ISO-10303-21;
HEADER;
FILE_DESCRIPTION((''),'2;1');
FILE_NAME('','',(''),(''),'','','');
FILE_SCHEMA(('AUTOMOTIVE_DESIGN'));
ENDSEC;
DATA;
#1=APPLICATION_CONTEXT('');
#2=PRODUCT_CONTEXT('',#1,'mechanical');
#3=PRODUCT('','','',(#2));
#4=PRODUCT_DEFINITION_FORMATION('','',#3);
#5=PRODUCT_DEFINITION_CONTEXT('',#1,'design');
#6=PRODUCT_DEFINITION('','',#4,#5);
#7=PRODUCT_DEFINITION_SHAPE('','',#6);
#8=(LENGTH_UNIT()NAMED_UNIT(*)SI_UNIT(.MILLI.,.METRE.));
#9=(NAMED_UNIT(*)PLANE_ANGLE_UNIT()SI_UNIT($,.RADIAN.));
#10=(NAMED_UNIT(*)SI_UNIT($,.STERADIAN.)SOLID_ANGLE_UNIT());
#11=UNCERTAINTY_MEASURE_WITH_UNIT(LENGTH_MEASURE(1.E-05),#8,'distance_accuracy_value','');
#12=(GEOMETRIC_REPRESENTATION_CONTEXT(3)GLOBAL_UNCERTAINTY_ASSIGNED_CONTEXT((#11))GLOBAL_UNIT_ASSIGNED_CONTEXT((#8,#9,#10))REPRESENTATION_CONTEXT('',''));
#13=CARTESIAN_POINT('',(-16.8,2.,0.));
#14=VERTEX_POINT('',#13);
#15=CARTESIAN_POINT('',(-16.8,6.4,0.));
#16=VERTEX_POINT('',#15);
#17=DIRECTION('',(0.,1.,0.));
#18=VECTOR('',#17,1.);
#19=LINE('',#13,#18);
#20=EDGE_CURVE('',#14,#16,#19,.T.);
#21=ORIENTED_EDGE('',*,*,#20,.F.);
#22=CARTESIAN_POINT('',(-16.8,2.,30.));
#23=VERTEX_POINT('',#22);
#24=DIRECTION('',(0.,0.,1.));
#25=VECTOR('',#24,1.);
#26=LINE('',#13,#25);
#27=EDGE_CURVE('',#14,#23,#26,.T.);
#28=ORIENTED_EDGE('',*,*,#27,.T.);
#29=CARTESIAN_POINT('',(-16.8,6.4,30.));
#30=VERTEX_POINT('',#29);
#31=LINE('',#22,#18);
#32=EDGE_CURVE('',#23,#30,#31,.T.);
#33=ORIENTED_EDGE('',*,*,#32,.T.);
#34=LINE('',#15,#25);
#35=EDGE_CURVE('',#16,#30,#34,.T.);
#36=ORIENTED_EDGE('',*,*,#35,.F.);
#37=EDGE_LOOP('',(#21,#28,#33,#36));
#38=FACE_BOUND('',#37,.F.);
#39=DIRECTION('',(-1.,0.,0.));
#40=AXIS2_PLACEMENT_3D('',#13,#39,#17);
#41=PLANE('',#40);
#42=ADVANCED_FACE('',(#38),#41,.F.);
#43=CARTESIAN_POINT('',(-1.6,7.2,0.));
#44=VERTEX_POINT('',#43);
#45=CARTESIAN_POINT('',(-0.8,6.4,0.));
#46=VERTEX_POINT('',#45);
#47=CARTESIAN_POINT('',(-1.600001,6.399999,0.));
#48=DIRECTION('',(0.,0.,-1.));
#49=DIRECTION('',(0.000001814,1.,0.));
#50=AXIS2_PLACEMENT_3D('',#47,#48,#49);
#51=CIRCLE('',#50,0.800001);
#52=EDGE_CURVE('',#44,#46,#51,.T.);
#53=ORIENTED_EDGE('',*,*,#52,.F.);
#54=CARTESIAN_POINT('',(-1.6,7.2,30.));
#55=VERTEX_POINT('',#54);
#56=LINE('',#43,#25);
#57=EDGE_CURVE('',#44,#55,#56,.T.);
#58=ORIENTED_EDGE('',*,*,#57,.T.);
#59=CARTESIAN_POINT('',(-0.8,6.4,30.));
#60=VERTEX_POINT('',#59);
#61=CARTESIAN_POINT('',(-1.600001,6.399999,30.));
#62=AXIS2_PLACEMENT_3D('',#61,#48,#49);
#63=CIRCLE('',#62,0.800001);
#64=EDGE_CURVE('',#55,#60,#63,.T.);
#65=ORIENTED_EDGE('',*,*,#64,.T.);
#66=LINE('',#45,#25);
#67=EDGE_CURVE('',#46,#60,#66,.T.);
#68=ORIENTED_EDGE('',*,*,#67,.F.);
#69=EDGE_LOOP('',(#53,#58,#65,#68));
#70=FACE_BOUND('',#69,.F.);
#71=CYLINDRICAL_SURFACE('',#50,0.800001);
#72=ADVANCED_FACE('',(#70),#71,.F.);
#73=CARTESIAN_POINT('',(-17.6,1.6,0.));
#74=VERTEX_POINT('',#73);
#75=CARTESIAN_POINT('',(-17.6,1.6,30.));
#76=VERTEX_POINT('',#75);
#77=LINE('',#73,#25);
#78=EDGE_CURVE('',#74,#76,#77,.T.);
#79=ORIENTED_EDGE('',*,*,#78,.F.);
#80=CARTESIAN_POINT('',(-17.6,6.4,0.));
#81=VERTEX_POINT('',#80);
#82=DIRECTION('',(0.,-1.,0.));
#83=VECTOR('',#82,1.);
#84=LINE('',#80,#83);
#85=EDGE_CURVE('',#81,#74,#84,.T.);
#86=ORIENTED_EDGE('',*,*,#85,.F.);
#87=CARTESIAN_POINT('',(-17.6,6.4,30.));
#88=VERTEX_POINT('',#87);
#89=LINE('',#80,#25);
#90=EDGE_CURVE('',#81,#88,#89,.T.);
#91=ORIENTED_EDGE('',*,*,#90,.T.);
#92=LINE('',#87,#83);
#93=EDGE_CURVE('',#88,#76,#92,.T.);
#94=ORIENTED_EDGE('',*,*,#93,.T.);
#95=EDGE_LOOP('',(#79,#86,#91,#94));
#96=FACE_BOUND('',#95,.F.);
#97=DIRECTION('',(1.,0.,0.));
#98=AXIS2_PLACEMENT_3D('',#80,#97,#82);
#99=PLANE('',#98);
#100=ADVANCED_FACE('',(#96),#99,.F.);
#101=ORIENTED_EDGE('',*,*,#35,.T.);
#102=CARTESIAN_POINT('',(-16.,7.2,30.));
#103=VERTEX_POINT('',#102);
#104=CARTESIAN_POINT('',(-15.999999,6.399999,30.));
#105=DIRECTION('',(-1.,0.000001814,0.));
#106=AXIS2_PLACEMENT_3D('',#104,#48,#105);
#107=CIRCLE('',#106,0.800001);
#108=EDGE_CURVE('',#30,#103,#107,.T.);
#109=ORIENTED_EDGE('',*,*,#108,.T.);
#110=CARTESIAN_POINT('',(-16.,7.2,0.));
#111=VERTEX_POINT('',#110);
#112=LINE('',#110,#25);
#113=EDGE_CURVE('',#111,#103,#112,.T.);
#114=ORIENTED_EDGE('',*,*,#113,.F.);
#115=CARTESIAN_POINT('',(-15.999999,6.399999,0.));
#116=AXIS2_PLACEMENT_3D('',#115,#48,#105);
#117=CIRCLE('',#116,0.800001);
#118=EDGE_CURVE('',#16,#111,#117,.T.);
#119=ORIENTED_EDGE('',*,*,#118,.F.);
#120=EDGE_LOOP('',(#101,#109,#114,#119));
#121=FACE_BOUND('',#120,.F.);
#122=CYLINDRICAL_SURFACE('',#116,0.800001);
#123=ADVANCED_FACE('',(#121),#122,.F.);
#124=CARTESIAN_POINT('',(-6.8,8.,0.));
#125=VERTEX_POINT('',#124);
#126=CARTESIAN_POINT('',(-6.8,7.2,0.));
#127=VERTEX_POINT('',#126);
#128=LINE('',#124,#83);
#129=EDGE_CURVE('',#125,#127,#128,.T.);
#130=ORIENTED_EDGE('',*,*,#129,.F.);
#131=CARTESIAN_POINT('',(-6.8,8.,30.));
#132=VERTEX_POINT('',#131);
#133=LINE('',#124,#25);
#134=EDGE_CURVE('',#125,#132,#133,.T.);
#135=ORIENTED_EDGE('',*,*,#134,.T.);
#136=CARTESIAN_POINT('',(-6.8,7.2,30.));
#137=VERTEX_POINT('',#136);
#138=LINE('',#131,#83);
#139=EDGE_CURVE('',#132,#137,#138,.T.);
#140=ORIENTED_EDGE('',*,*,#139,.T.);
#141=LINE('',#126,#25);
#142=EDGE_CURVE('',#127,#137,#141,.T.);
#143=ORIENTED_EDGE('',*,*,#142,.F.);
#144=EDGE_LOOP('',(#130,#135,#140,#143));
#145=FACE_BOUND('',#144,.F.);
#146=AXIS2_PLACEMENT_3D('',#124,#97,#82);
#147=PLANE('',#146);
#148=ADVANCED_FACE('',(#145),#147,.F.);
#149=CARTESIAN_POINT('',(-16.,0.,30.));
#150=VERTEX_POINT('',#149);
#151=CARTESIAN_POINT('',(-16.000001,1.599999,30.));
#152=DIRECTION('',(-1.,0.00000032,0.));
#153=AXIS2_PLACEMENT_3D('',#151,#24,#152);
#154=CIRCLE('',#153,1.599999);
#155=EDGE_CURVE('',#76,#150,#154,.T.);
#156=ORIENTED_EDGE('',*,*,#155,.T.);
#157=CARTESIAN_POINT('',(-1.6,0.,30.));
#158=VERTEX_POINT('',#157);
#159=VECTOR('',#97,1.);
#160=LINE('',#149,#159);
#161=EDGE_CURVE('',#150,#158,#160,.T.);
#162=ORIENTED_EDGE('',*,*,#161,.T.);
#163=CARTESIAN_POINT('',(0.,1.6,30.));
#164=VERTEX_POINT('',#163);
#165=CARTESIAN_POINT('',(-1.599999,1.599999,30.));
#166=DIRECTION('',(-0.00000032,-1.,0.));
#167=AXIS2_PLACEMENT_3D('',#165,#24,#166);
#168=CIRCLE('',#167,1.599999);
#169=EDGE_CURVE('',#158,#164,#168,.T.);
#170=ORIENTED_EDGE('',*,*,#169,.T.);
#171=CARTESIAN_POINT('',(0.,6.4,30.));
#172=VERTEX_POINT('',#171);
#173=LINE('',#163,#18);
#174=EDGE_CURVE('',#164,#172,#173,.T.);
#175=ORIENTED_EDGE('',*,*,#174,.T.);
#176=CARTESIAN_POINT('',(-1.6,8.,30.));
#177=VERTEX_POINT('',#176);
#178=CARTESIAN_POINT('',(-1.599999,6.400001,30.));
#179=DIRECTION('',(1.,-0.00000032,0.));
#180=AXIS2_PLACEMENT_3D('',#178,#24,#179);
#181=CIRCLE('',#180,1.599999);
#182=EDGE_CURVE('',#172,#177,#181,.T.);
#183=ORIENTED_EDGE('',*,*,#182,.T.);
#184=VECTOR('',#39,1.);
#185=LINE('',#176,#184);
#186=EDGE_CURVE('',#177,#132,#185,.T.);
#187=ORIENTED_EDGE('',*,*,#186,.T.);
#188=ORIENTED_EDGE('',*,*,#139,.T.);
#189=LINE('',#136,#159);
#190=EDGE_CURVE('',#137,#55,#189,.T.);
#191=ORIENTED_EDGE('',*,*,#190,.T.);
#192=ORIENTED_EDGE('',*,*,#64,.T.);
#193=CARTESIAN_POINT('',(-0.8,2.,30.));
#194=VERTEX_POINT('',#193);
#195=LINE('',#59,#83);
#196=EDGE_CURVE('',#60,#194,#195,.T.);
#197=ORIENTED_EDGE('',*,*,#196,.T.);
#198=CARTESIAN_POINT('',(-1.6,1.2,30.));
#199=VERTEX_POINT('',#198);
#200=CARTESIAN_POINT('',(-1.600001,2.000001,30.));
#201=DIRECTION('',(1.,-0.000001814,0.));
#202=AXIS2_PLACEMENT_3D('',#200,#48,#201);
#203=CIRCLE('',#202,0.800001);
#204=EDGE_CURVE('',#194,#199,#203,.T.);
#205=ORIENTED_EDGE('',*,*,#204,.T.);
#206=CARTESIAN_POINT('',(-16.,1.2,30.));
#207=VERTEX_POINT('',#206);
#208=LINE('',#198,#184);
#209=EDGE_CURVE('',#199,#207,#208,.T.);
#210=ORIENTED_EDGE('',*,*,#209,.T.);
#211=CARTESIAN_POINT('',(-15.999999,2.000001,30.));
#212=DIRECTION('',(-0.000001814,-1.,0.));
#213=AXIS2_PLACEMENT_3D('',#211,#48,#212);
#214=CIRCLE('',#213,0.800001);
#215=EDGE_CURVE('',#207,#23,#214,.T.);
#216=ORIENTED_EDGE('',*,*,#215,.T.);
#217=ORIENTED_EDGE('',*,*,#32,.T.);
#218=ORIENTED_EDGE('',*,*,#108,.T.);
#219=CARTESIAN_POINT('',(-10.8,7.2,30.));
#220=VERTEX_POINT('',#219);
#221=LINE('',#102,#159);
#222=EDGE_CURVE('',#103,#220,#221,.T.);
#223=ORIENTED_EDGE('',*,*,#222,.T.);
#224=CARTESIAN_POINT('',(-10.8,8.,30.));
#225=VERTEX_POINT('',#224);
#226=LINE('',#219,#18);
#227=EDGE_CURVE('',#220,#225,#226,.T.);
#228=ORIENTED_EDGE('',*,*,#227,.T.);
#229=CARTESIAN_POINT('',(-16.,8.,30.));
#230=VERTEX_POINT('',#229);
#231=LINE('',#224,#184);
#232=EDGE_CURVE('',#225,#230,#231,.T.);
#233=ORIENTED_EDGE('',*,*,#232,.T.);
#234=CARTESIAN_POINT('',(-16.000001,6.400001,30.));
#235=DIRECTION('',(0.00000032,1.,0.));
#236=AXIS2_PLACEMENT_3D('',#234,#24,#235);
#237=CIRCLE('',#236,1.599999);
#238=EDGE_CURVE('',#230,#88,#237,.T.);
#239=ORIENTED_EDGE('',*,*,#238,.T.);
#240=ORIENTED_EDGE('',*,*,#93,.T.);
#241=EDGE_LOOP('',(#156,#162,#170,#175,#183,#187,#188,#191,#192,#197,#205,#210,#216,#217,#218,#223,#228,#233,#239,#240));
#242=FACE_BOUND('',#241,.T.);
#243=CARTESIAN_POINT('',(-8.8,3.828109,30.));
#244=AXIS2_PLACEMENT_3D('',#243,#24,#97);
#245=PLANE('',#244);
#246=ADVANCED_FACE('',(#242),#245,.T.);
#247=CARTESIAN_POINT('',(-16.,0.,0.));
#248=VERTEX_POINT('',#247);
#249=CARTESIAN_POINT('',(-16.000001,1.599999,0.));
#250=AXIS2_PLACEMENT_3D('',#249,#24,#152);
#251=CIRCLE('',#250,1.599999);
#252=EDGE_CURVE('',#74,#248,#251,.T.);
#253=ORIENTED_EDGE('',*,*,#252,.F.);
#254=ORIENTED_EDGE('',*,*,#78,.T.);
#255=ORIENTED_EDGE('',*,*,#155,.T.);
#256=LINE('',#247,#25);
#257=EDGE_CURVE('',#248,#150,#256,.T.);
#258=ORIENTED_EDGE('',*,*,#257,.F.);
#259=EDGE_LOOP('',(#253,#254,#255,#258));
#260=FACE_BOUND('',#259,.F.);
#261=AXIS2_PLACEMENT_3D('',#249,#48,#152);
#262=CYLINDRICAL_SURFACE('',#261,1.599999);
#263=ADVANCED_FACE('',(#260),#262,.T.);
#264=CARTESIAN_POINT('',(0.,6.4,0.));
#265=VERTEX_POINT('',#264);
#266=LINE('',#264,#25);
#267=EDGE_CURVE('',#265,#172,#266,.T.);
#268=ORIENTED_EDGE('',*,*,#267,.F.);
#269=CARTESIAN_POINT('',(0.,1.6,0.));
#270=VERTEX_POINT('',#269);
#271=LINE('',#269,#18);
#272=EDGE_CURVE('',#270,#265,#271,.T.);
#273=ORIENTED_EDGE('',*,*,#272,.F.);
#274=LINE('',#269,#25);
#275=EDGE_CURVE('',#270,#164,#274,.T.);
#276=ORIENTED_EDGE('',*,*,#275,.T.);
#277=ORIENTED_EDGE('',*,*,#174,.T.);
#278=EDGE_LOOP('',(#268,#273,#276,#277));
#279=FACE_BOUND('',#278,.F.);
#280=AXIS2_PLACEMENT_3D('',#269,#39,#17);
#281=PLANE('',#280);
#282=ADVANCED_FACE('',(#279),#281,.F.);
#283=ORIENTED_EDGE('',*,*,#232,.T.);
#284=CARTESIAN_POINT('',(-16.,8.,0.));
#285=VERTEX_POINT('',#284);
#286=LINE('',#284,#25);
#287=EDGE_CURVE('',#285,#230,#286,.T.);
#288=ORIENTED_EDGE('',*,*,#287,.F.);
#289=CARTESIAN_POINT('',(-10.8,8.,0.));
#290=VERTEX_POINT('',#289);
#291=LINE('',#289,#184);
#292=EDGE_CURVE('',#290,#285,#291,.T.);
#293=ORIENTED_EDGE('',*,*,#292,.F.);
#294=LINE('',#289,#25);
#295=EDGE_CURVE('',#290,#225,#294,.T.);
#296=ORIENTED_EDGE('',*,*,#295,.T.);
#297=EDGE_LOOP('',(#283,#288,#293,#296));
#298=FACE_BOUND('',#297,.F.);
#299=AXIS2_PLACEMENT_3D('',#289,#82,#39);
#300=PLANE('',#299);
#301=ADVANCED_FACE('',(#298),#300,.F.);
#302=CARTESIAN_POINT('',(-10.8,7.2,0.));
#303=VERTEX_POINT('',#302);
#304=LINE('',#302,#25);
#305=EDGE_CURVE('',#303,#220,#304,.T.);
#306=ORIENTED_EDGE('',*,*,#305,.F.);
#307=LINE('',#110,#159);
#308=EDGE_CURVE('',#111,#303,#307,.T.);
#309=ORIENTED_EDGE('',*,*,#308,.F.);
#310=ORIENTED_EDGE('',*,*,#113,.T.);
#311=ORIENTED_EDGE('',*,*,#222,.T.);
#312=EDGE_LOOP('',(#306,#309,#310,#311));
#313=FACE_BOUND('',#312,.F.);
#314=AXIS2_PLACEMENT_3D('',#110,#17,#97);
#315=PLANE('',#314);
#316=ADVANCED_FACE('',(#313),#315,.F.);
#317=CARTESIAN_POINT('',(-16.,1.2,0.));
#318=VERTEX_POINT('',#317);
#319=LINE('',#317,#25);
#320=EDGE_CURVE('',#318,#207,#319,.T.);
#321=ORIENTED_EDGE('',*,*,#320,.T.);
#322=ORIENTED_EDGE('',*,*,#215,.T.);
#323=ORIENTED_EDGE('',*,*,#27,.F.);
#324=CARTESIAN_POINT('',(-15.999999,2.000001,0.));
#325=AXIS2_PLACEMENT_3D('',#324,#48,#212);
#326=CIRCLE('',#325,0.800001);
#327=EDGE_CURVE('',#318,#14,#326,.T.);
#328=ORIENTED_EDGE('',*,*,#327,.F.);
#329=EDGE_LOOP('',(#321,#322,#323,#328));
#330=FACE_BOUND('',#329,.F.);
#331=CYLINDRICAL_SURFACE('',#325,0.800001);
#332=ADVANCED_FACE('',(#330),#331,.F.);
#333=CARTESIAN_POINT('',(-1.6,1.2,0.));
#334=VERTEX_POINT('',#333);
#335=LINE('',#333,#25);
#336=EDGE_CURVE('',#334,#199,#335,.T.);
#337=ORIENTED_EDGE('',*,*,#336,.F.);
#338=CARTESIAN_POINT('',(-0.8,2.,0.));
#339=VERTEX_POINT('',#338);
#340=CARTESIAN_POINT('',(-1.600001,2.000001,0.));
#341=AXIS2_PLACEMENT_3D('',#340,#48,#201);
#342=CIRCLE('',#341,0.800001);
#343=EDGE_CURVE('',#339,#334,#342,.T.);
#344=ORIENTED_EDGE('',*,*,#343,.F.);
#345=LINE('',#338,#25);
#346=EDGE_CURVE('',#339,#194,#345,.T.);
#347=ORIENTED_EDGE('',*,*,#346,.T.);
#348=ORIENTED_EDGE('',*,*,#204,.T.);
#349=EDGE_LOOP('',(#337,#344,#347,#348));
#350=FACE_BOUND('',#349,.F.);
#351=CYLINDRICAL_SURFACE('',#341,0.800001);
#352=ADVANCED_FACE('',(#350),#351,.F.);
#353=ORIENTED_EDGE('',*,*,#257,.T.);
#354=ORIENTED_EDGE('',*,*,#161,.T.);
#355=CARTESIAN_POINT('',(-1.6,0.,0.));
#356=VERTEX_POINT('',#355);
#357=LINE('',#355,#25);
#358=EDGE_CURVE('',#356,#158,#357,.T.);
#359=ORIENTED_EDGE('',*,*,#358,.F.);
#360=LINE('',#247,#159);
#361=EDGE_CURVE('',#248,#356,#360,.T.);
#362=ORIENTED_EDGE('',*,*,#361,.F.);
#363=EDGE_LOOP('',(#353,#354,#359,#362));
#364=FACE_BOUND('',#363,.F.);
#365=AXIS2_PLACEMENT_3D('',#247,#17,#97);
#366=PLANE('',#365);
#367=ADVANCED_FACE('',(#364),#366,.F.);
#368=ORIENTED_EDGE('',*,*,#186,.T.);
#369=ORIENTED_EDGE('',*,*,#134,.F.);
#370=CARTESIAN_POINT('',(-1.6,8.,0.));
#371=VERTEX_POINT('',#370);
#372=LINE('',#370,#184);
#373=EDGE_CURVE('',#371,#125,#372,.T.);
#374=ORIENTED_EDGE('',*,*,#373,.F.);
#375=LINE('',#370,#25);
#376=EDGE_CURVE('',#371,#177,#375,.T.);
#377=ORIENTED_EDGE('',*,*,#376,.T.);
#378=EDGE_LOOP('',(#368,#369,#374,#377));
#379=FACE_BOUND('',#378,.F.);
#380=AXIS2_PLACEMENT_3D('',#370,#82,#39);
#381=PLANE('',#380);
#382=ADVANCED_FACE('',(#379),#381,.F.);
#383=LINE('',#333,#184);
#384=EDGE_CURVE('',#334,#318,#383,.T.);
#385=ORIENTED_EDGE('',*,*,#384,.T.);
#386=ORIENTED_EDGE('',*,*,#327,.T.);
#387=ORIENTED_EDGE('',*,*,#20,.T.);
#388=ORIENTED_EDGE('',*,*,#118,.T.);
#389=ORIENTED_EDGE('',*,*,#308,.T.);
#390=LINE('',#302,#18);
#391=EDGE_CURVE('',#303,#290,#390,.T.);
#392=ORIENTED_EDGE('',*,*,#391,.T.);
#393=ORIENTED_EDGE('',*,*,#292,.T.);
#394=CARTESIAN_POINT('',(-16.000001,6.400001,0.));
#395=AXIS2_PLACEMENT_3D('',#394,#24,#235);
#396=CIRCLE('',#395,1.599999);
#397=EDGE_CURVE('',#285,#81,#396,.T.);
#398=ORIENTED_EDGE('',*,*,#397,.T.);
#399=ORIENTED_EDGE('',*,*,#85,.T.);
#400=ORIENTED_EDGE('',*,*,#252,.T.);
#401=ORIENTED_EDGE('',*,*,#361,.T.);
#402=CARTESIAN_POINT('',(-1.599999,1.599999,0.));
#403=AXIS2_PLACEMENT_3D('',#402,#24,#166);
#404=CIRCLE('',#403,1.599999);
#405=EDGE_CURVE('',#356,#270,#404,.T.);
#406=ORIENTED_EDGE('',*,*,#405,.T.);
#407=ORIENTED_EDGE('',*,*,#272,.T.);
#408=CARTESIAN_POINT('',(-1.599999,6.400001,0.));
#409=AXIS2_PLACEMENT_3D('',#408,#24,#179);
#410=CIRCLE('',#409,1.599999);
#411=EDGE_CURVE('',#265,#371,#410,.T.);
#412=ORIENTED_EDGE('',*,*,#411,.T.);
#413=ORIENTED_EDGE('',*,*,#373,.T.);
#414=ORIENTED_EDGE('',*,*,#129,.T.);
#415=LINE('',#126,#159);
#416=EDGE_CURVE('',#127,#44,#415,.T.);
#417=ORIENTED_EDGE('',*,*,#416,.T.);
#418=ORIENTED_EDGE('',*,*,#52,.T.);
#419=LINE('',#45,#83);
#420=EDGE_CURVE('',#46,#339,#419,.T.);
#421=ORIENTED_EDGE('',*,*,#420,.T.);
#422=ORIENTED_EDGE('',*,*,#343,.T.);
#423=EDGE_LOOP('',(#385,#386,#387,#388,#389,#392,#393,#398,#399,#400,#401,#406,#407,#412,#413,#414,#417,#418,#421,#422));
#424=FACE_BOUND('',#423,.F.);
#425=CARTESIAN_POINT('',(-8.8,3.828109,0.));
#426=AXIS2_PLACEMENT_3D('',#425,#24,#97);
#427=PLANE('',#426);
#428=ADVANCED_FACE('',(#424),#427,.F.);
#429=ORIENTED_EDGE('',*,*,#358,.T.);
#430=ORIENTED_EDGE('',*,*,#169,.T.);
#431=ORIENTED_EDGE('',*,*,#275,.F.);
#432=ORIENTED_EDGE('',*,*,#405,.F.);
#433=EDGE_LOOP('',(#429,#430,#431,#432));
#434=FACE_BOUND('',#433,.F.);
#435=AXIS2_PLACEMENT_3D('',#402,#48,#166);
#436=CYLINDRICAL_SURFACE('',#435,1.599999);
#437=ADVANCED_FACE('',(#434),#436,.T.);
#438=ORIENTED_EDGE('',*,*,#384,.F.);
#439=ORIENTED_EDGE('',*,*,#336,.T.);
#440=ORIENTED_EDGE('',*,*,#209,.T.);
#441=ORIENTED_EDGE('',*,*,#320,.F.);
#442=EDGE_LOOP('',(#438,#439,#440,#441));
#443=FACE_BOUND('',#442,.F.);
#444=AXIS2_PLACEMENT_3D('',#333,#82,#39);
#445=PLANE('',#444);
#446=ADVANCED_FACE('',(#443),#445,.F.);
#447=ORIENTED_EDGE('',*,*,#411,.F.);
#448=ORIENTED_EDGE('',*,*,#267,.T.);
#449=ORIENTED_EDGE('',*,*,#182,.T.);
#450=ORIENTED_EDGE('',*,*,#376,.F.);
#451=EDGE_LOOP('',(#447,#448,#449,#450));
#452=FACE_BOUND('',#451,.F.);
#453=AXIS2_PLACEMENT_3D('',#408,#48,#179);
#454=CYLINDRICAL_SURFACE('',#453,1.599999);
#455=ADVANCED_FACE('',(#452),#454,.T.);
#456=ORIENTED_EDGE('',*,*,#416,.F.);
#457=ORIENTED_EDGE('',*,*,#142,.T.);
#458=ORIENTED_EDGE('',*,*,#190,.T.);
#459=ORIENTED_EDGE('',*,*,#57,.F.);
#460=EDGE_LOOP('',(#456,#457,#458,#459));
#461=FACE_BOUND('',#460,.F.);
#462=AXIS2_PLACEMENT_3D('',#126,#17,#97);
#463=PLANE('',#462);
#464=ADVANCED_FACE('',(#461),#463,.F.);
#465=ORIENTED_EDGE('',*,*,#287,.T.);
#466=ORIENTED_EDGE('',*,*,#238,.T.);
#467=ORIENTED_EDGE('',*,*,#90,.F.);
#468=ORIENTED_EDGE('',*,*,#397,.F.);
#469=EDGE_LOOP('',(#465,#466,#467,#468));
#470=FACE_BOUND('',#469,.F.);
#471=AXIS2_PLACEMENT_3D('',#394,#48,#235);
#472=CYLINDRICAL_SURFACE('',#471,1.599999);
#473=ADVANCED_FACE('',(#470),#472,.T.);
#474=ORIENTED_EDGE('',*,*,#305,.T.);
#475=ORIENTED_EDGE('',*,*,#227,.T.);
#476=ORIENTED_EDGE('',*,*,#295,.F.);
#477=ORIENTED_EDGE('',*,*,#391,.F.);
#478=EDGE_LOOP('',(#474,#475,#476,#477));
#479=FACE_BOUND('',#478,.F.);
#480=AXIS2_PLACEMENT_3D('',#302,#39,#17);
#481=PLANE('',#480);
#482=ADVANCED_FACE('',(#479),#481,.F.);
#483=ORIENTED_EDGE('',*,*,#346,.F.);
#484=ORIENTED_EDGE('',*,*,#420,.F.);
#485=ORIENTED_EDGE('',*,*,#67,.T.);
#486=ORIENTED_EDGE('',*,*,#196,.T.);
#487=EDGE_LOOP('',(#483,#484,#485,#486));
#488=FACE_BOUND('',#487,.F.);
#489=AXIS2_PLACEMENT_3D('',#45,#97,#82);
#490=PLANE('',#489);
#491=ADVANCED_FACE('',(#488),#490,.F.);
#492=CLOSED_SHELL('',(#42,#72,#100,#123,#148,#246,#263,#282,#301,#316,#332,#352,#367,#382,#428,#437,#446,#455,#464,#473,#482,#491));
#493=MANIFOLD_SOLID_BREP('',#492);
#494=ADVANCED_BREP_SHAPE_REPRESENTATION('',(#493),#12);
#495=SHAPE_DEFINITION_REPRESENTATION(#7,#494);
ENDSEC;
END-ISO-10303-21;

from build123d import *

# Parameters (mm, degrees)
F1_DEPTH = 30


with BuildPart() as f1:
    # F0 (on Top) → F1 (new body)
    with BuildSketch(Plane.XY):
        with BuildLine():
            Line((-17.6, 6.4), (-17.6, 1.6))
            ThreePointArc((-17.6, 1.6), (-17.131371, 0.468629), (-16, 0))
            Line((-16, 0), (-1.6, 0))
            ThreePointArc((-1.6, 0), (-0.468629, 0.468629), (0, 1.6))
            Line((0, 1.6), (0, 6.4))
            ThreePointArc((0, 6.4), (-0.468629, 7.531371), (-1.6, 8))
            Line((-1.6, 8), (-6.8, 8))
            Line((-6.8, 8), (-6.8, 7.2))
            Line((-6.8, 7.2), (-1.6, 7.2))
            ThreePointArc((-1.6, 7.2), (-1.034315, 6.965685), (-0.8, 6.4))
            Line((-0.8, 6.4), (-0.8, 2))
            ThreePointArc((-0.8, 2), (-1.034315, 1.434315), (-1.6, 1.2))
            Line((-1.6, 1.2), (-16, 1.2))
            ThreePointArc((-16, 1.2), (-16.565685, 1.434315), (-16.8, 2))
            Line((-16.8, 2), (-16.8, 6.4))
            ThreePointArc((-16.8, 6.4), (-16.565685, 6.965685), (-16, 7.2))
            Line((-16, 7.2), (-10.8, 7.2))
            Line((-10.8, 7.2), (-10.8, 8))
            Line((-10.8, 8), (-16, 8))
            ThreePointArc((-16, 8), (-17.131371, 7.531371), (-17.6, 6.4))
        make_face()
    extrude(amount=F1_DEPTH)


solid = f1.part
